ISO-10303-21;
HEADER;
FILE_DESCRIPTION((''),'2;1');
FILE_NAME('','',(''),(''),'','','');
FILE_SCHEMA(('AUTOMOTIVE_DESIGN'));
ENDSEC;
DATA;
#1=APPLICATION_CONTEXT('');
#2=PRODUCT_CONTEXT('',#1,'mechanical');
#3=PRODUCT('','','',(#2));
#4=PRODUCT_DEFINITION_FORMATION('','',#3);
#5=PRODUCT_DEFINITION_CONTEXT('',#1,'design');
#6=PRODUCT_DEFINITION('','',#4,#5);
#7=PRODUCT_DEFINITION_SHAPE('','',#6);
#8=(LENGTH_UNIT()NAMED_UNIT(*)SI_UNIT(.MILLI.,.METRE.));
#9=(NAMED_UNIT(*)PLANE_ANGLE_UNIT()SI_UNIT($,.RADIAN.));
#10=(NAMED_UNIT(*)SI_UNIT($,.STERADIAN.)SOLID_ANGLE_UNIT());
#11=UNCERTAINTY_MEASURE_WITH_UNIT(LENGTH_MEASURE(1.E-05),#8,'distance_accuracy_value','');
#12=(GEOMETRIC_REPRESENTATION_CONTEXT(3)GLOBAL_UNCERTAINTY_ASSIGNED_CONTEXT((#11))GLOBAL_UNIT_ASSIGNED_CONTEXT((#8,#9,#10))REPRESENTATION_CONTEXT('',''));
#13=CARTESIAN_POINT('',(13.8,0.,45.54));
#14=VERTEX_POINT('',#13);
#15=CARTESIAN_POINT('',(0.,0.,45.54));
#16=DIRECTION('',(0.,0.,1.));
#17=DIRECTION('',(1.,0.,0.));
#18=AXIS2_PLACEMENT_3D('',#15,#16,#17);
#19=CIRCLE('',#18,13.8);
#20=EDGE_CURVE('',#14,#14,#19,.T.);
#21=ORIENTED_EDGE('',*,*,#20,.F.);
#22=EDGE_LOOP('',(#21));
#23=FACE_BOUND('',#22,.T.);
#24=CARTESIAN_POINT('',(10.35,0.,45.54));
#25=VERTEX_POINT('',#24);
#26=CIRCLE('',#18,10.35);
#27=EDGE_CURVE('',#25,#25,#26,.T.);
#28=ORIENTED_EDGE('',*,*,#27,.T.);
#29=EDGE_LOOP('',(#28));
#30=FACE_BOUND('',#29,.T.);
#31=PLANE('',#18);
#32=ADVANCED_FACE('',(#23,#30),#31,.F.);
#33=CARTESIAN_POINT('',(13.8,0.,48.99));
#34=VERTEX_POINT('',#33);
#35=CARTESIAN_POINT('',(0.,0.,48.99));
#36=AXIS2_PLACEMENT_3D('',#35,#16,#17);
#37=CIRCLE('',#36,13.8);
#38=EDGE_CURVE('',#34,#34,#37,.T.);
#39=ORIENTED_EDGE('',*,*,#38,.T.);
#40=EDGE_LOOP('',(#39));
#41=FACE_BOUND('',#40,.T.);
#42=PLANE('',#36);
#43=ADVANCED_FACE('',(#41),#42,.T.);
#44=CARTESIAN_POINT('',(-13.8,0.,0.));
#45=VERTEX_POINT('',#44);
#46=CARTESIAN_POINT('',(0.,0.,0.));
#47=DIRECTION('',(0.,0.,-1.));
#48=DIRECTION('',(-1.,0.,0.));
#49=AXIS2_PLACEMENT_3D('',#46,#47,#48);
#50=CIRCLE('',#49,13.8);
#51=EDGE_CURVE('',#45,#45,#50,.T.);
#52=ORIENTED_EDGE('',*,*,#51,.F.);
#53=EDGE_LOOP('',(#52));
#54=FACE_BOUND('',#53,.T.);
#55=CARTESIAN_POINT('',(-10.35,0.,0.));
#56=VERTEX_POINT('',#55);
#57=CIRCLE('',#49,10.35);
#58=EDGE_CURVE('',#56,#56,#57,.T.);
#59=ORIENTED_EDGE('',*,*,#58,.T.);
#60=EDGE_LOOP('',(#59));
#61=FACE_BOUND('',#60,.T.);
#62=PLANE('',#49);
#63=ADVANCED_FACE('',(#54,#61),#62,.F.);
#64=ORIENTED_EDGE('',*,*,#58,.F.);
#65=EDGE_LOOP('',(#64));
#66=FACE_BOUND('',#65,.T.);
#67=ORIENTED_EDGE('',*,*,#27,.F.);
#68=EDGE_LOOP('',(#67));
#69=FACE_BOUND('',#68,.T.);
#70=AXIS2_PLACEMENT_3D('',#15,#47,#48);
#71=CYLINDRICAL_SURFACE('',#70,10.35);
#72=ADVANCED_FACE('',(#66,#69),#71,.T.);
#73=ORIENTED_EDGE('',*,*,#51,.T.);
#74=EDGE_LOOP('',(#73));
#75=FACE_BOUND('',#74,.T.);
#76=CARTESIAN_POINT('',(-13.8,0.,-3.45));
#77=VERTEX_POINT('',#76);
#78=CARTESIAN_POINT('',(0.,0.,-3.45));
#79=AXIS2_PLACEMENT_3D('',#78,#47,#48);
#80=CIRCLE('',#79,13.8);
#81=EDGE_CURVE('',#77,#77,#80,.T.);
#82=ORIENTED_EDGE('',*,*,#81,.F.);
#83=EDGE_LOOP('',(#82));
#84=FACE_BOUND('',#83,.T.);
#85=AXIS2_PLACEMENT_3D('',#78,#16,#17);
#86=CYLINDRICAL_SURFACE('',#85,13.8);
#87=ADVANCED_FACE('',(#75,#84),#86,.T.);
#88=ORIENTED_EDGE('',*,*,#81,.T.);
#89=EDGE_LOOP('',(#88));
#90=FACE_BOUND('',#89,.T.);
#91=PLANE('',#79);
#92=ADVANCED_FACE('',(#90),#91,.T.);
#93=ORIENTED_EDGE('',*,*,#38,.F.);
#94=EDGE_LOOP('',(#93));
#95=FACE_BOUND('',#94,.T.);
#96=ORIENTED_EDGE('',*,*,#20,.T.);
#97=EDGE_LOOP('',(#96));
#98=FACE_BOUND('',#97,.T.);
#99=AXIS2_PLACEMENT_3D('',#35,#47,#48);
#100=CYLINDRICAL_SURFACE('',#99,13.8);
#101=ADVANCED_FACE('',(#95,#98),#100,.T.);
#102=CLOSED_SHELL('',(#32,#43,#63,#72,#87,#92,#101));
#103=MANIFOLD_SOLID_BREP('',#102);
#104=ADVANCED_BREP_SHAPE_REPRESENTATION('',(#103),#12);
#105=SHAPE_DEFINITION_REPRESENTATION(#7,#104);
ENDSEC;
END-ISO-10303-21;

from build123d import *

# Parameters (mm, degrees)
SKETCH_1_R      = 30
EXTRUDE_1_DEPTH = 132
SKETCH_2_R      = 40
EXTRUDE_2_DEPTH = 10
EXTRUDE_START   = 10
SKETCH_3_R      = 40
EXTRUDE_3_DEPTH = 10
SCALE_1_SCALE   = 0.345


with BuildPart() as part:
    # 草图1 → 凸台-拉伸1 (new body)
    with BuildSketch(Plane.XY):
        Circle(SKETCH_1_R)
    extrude(amount=EXTRUDE_1_DEPTH)

    # 草图2 → 凸台-拉伸2 (add)
    with BuildSketch(Plane.XY.offset(132)):
        Circle(SKETCH_2_R)
    extrude(amount=EXTRUDE_2_DEPTH)

    # 草图3 → 凸台-拉伸3 (add)
    with BuildSketch(Plane(origin=(0, 0, 0), x_dir=(-1, 0, 0), z_dir=(0, 0, -1)).offset(EXTRUDE_START)):
        with Locations(Location((0, 0, 0), (0, 0, 180))):
            Circle(SKETCH_3_R)
    extrude(amount=-EXTRUDE_3_DEPTH)


with BuildPart() as part_1:
    # 缩放比例1: scaled about (0, 0, 0)
    add(part.part.scale(SCALE_1_SCALE))


solid = part_1.part
